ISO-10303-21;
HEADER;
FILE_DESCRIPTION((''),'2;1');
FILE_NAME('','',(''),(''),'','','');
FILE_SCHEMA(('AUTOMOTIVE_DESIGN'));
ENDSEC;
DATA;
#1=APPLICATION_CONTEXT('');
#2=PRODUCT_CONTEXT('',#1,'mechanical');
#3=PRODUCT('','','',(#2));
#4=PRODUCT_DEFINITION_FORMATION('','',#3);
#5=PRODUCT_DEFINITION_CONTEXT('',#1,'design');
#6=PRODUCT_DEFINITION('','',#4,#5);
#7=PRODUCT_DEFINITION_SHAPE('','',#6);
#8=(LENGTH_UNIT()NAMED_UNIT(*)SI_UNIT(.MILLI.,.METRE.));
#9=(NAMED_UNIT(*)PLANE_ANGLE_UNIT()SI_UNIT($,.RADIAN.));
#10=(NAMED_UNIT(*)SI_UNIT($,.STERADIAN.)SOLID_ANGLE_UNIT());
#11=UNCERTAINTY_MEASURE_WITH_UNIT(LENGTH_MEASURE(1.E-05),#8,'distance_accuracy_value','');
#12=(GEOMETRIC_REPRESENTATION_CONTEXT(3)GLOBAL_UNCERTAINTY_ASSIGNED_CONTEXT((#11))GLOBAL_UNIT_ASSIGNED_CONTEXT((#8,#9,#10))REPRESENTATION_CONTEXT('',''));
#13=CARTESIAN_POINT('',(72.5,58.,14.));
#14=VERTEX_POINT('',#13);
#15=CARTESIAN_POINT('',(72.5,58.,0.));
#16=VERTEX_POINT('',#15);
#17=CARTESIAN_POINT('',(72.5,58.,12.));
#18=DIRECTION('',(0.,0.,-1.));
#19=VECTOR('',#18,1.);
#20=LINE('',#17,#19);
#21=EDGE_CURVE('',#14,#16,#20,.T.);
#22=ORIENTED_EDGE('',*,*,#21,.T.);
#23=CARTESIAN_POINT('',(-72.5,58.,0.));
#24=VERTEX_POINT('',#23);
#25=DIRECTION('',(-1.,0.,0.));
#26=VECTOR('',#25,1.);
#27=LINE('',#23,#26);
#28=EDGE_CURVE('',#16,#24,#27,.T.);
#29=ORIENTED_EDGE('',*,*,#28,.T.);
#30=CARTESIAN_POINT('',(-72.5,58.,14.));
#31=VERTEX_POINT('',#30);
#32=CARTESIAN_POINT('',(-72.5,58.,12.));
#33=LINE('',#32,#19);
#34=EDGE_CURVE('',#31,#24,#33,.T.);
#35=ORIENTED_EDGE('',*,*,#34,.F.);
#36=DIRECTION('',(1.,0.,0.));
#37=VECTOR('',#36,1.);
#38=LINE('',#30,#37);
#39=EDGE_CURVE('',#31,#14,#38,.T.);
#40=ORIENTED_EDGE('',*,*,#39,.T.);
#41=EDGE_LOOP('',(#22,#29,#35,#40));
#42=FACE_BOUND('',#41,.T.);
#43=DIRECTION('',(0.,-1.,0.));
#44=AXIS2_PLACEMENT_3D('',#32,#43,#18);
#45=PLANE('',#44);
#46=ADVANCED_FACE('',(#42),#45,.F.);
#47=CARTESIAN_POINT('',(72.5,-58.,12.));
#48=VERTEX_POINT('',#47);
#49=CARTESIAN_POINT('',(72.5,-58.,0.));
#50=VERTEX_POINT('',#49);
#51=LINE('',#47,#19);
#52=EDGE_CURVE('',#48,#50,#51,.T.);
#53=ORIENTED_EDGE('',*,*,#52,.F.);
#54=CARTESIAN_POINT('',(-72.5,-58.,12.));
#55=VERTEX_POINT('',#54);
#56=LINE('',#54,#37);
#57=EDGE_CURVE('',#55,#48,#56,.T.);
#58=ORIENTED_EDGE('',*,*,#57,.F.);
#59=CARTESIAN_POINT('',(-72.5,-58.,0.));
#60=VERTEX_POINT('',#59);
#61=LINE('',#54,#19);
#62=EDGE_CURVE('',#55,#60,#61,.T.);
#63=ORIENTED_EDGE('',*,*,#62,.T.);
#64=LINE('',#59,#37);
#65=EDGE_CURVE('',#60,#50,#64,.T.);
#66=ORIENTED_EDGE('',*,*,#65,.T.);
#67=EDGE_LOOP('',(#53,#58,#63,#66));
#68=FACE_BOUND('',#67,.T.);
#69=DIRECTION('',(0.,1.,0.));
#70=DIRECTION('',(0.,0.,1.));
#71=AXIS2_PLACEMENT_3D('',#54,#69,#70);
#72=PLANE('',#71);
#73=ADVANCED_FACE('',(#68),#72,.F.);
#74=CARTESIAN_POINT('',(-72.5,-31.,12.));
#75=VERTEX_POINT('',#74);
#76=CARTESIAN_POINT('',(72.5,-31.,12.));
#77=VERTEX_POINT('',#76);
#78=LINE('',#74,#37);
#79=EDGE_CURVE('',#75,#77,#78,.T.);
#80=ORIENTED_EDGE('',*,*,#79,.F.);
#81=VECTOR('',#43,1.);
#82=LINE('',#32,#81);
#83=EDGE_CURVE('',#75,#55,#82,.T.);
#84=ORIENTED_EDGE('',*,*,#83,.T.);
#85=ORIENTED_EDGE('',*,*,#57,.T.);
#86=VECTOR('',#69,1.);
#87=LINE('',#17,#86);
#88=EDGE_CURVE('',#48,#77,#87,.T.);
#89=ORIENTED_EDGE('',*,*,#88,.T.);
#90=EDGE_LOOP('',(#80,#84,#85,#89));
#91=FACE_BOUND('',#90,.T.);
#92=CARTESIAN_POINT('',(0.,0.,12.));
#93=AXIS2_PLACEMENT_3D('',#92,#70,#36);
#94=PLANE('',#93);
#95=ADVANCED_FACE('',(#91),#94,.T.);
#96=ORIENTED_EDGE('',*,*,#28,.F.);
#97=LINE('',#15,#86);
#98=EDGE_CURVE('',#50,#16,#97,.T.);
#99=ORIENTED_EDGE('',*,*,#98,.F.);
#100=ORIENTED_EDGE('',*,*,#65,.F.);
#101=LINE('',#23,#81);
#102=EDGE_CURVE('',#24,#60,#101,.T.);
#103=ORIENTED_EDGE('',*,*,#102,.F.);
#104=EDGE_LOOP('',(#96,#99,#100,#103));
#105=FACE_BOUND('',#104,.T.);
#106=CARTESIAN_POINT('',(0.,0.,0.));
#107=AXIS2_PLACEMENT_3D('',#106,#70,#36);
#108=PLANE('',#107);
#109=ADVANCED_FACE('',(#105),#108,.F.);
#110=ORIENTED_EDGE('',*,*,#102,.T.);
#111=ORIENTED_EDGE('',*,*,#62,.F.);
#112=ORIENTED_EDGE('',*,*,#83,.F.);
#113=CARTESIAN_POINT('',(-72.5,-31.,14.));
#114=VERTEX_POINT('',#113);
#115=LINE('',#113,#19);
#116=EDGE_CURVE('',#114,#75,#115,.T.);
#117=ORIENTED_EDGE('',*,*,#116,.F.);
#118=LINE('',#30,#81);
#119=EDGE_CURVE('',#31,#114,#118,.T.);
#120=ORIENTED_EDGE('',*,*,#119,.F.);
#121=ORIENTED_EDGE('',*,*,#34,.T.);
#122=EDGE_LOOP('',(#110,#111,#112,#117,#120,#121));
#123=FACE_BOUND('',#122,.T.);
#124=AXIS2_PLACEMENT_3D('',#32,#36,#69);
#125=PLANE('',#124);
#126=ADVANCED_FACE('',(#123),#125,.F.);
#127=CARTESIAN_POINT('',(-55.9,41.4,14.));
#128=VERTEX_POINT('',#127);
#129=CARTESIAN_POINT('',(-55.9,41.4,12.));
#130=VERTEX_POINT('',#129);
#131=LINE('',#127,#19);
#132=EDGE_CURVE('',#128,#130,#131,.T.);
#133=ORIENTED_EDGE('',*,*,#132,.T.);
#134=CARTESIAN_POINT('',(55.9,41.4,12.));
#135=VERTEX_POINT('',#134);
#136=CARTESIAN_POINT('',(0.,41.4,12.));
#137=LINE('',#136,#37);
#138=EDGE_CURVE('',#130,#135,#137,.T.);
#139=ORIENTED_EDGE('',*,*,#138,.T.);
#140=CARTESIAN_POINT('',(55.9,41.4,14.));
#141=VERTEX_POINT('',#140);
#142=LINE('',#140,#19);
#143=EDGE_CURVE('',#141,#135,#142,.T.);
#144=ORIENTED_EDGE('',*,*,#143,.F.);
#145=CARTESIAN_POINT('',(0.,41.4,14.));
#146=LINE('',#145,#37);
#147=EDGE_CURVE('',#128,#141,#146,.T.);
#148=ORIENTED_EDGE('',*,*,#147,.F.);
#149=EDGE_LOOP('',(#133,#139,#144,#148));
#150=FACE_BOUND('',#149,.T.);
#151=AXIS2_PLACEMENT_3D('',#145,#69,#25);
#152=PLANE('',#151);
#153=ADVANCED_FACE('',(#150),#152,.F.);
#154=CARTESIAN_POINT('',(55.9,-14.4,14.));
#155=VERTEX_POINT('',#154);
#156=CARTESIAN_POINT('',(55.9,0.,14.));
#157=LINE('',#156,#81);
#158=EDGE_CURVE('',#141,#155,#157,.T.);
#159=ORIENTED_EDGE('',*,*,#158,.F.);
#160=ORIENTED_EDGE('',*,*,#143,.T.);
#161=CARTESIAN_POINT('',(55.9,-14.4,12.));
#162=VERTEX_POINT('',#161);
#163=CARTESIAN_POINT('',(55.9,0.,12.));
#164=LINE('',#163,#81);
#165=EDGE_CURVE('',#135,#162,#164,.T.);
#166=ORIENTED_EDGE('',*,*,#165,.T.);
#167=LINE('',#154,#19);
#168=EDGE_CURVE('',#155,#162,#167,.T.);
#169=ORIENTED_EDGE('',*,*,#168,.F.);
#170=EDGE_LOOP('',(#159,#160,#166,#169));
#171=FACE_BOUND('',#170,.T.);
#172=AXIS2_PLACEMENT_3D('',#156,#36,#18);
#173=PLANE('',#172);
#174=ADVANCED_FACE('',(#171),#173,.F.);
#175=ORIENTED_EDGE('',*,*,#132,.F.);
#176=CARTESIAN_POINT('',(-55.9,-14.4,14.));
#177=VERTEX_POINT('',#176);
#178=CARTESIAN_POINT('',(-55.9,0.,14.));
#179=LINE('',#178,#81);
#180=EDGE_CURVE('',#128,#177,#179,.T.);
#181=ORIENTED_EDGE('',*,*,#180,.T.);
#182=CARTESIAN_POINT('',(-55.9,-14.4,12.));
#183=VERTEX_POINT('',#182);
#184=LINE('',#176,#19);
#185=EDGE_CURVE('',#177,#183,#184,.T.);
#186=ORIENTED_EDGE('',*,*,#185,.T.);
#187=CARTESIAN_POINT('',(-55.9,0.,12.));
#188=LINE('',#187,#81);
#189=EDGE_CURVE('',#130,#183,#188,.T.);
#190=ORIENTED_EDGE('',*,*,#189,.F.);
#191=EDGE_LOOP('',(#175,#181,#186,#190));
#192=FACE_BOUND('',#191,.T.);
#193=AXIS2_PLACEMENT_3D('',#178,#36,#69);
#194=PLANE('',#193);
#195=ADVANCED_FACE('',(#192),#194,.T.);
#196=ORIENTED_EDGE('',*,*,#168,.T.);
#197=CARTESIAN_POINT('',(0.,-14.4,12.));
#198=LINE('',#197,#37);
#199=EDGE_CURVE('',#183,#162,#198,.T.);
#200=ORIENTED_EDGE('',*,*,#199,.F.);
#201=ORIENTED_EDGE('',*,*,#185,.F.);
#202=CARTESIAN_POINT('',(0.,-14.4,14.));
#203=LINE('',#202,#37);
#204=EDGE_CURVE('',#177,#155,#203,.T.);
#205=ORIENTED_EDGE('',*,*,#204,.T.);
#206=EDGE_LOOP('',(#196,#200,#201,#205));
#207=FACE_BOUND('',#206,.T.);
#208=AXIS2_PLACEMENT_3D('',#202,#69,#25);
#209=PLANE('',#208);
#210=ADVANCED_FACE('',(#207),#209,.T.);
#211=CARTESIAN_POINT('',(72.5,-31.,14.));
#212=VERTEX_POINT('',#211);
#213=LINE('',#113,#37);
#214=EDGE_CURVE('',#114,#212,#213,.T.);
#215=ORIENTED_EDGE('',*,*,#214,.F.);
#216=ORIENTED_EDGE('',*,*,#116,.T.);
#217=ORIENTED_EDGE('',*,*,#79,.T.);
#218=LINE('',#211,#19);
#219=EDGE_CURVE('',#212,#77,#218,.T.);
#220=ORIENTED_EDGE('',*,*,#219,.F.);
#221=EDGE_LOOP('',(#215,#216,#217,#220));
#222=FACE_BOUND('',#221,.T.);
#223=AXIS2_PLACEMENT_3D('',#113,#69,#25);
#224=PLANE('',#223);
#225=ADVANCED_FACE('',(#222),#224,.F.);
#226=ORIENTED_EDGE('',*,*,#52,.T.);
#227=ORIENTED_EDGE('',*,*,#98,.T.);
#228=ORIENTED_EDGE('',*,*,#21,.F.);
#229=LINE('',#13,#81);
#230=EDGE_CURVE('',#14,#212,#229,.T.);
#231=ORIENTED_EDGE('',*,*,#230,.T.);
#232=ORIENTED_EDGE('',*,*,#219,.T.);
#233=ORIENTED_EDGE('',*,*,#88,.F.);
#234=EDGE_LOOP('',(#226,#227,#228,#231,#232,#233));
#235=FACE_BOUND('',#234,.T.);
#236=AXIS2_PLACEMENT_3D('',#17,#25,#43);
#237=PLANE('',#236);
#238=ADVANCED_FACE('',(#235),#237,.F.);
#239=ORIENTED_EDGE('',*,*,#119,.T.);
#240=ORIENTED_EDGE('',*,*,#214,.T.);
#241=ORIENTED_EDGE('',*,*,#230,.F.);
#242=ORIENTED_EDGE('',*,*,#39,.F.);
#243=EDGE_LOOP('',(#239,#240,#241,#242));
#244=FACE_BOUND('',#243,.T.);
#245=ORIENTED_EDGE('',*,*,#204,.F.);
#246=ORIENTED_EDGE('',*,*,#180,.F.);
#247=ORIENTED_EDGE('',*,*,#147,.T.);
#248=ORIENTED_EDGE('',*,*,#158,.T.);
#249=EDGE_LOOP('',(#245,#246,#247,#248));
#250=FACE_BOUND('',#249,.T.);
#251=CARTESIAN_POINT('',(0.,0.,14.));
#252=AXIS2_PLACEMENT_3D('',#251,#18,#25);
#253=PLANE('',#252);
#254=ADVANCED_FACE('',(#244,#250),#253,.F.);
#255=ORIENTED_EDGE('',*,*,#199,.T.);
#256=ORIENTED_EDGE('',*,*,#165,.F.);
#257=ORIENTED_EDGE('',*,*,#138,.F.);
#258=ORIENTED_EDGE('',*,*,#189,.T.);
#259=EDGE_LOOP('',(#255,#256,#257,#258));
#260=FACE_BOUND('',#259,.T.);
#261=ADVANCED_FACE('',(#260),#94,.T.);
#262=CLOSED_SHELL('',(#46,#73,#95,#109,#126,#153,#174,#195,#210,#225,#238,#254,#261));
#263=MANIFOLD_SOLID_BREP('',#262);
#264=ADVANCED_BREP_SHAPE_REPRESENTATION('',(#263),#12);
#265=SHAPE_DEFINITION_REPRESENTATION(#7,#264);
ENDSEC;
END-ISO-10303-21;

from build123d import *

# Parameters (mm, degrees)
SKETCH1_W           = 145
SKETCH1_H           = 116
BOSS_EXTRUDE1_DEPTH = 12
SKETCH2_W           = 145
SKETCH2_H           = 89
SKETCH2_W_2         = 111.8
SKETCH2_H_2         = 55.8
BOSS_EXTRUDE2_DEPTH = 2


with BuildPart() as part:
    # Sketch1 → Boss-Extrude1 (new body)
    with BuildSketch(Plane.XY):
        Rectangle(SKETCH1_W, SKETCH1_H)
    extrude(amount=BOSS_EXTRUDE1_DEPTH)

    # Sketch2 → Boss-Extrude2 (add)
    with BuildSketch(Plane.XY.offset(12)):
        with Locations((0, 13.5)):
            Rectangle(SKETCH2_W, SKETCH2_H)
        with Locations((0, 13.5)):
            Rectangle(SKETCH2_W_2, SKETCH2_H_2, mode=Mode.SUBTRACT)
    extrude(amount=BOSS_EXTRUDE2_DEPTH)


solid = part.part
